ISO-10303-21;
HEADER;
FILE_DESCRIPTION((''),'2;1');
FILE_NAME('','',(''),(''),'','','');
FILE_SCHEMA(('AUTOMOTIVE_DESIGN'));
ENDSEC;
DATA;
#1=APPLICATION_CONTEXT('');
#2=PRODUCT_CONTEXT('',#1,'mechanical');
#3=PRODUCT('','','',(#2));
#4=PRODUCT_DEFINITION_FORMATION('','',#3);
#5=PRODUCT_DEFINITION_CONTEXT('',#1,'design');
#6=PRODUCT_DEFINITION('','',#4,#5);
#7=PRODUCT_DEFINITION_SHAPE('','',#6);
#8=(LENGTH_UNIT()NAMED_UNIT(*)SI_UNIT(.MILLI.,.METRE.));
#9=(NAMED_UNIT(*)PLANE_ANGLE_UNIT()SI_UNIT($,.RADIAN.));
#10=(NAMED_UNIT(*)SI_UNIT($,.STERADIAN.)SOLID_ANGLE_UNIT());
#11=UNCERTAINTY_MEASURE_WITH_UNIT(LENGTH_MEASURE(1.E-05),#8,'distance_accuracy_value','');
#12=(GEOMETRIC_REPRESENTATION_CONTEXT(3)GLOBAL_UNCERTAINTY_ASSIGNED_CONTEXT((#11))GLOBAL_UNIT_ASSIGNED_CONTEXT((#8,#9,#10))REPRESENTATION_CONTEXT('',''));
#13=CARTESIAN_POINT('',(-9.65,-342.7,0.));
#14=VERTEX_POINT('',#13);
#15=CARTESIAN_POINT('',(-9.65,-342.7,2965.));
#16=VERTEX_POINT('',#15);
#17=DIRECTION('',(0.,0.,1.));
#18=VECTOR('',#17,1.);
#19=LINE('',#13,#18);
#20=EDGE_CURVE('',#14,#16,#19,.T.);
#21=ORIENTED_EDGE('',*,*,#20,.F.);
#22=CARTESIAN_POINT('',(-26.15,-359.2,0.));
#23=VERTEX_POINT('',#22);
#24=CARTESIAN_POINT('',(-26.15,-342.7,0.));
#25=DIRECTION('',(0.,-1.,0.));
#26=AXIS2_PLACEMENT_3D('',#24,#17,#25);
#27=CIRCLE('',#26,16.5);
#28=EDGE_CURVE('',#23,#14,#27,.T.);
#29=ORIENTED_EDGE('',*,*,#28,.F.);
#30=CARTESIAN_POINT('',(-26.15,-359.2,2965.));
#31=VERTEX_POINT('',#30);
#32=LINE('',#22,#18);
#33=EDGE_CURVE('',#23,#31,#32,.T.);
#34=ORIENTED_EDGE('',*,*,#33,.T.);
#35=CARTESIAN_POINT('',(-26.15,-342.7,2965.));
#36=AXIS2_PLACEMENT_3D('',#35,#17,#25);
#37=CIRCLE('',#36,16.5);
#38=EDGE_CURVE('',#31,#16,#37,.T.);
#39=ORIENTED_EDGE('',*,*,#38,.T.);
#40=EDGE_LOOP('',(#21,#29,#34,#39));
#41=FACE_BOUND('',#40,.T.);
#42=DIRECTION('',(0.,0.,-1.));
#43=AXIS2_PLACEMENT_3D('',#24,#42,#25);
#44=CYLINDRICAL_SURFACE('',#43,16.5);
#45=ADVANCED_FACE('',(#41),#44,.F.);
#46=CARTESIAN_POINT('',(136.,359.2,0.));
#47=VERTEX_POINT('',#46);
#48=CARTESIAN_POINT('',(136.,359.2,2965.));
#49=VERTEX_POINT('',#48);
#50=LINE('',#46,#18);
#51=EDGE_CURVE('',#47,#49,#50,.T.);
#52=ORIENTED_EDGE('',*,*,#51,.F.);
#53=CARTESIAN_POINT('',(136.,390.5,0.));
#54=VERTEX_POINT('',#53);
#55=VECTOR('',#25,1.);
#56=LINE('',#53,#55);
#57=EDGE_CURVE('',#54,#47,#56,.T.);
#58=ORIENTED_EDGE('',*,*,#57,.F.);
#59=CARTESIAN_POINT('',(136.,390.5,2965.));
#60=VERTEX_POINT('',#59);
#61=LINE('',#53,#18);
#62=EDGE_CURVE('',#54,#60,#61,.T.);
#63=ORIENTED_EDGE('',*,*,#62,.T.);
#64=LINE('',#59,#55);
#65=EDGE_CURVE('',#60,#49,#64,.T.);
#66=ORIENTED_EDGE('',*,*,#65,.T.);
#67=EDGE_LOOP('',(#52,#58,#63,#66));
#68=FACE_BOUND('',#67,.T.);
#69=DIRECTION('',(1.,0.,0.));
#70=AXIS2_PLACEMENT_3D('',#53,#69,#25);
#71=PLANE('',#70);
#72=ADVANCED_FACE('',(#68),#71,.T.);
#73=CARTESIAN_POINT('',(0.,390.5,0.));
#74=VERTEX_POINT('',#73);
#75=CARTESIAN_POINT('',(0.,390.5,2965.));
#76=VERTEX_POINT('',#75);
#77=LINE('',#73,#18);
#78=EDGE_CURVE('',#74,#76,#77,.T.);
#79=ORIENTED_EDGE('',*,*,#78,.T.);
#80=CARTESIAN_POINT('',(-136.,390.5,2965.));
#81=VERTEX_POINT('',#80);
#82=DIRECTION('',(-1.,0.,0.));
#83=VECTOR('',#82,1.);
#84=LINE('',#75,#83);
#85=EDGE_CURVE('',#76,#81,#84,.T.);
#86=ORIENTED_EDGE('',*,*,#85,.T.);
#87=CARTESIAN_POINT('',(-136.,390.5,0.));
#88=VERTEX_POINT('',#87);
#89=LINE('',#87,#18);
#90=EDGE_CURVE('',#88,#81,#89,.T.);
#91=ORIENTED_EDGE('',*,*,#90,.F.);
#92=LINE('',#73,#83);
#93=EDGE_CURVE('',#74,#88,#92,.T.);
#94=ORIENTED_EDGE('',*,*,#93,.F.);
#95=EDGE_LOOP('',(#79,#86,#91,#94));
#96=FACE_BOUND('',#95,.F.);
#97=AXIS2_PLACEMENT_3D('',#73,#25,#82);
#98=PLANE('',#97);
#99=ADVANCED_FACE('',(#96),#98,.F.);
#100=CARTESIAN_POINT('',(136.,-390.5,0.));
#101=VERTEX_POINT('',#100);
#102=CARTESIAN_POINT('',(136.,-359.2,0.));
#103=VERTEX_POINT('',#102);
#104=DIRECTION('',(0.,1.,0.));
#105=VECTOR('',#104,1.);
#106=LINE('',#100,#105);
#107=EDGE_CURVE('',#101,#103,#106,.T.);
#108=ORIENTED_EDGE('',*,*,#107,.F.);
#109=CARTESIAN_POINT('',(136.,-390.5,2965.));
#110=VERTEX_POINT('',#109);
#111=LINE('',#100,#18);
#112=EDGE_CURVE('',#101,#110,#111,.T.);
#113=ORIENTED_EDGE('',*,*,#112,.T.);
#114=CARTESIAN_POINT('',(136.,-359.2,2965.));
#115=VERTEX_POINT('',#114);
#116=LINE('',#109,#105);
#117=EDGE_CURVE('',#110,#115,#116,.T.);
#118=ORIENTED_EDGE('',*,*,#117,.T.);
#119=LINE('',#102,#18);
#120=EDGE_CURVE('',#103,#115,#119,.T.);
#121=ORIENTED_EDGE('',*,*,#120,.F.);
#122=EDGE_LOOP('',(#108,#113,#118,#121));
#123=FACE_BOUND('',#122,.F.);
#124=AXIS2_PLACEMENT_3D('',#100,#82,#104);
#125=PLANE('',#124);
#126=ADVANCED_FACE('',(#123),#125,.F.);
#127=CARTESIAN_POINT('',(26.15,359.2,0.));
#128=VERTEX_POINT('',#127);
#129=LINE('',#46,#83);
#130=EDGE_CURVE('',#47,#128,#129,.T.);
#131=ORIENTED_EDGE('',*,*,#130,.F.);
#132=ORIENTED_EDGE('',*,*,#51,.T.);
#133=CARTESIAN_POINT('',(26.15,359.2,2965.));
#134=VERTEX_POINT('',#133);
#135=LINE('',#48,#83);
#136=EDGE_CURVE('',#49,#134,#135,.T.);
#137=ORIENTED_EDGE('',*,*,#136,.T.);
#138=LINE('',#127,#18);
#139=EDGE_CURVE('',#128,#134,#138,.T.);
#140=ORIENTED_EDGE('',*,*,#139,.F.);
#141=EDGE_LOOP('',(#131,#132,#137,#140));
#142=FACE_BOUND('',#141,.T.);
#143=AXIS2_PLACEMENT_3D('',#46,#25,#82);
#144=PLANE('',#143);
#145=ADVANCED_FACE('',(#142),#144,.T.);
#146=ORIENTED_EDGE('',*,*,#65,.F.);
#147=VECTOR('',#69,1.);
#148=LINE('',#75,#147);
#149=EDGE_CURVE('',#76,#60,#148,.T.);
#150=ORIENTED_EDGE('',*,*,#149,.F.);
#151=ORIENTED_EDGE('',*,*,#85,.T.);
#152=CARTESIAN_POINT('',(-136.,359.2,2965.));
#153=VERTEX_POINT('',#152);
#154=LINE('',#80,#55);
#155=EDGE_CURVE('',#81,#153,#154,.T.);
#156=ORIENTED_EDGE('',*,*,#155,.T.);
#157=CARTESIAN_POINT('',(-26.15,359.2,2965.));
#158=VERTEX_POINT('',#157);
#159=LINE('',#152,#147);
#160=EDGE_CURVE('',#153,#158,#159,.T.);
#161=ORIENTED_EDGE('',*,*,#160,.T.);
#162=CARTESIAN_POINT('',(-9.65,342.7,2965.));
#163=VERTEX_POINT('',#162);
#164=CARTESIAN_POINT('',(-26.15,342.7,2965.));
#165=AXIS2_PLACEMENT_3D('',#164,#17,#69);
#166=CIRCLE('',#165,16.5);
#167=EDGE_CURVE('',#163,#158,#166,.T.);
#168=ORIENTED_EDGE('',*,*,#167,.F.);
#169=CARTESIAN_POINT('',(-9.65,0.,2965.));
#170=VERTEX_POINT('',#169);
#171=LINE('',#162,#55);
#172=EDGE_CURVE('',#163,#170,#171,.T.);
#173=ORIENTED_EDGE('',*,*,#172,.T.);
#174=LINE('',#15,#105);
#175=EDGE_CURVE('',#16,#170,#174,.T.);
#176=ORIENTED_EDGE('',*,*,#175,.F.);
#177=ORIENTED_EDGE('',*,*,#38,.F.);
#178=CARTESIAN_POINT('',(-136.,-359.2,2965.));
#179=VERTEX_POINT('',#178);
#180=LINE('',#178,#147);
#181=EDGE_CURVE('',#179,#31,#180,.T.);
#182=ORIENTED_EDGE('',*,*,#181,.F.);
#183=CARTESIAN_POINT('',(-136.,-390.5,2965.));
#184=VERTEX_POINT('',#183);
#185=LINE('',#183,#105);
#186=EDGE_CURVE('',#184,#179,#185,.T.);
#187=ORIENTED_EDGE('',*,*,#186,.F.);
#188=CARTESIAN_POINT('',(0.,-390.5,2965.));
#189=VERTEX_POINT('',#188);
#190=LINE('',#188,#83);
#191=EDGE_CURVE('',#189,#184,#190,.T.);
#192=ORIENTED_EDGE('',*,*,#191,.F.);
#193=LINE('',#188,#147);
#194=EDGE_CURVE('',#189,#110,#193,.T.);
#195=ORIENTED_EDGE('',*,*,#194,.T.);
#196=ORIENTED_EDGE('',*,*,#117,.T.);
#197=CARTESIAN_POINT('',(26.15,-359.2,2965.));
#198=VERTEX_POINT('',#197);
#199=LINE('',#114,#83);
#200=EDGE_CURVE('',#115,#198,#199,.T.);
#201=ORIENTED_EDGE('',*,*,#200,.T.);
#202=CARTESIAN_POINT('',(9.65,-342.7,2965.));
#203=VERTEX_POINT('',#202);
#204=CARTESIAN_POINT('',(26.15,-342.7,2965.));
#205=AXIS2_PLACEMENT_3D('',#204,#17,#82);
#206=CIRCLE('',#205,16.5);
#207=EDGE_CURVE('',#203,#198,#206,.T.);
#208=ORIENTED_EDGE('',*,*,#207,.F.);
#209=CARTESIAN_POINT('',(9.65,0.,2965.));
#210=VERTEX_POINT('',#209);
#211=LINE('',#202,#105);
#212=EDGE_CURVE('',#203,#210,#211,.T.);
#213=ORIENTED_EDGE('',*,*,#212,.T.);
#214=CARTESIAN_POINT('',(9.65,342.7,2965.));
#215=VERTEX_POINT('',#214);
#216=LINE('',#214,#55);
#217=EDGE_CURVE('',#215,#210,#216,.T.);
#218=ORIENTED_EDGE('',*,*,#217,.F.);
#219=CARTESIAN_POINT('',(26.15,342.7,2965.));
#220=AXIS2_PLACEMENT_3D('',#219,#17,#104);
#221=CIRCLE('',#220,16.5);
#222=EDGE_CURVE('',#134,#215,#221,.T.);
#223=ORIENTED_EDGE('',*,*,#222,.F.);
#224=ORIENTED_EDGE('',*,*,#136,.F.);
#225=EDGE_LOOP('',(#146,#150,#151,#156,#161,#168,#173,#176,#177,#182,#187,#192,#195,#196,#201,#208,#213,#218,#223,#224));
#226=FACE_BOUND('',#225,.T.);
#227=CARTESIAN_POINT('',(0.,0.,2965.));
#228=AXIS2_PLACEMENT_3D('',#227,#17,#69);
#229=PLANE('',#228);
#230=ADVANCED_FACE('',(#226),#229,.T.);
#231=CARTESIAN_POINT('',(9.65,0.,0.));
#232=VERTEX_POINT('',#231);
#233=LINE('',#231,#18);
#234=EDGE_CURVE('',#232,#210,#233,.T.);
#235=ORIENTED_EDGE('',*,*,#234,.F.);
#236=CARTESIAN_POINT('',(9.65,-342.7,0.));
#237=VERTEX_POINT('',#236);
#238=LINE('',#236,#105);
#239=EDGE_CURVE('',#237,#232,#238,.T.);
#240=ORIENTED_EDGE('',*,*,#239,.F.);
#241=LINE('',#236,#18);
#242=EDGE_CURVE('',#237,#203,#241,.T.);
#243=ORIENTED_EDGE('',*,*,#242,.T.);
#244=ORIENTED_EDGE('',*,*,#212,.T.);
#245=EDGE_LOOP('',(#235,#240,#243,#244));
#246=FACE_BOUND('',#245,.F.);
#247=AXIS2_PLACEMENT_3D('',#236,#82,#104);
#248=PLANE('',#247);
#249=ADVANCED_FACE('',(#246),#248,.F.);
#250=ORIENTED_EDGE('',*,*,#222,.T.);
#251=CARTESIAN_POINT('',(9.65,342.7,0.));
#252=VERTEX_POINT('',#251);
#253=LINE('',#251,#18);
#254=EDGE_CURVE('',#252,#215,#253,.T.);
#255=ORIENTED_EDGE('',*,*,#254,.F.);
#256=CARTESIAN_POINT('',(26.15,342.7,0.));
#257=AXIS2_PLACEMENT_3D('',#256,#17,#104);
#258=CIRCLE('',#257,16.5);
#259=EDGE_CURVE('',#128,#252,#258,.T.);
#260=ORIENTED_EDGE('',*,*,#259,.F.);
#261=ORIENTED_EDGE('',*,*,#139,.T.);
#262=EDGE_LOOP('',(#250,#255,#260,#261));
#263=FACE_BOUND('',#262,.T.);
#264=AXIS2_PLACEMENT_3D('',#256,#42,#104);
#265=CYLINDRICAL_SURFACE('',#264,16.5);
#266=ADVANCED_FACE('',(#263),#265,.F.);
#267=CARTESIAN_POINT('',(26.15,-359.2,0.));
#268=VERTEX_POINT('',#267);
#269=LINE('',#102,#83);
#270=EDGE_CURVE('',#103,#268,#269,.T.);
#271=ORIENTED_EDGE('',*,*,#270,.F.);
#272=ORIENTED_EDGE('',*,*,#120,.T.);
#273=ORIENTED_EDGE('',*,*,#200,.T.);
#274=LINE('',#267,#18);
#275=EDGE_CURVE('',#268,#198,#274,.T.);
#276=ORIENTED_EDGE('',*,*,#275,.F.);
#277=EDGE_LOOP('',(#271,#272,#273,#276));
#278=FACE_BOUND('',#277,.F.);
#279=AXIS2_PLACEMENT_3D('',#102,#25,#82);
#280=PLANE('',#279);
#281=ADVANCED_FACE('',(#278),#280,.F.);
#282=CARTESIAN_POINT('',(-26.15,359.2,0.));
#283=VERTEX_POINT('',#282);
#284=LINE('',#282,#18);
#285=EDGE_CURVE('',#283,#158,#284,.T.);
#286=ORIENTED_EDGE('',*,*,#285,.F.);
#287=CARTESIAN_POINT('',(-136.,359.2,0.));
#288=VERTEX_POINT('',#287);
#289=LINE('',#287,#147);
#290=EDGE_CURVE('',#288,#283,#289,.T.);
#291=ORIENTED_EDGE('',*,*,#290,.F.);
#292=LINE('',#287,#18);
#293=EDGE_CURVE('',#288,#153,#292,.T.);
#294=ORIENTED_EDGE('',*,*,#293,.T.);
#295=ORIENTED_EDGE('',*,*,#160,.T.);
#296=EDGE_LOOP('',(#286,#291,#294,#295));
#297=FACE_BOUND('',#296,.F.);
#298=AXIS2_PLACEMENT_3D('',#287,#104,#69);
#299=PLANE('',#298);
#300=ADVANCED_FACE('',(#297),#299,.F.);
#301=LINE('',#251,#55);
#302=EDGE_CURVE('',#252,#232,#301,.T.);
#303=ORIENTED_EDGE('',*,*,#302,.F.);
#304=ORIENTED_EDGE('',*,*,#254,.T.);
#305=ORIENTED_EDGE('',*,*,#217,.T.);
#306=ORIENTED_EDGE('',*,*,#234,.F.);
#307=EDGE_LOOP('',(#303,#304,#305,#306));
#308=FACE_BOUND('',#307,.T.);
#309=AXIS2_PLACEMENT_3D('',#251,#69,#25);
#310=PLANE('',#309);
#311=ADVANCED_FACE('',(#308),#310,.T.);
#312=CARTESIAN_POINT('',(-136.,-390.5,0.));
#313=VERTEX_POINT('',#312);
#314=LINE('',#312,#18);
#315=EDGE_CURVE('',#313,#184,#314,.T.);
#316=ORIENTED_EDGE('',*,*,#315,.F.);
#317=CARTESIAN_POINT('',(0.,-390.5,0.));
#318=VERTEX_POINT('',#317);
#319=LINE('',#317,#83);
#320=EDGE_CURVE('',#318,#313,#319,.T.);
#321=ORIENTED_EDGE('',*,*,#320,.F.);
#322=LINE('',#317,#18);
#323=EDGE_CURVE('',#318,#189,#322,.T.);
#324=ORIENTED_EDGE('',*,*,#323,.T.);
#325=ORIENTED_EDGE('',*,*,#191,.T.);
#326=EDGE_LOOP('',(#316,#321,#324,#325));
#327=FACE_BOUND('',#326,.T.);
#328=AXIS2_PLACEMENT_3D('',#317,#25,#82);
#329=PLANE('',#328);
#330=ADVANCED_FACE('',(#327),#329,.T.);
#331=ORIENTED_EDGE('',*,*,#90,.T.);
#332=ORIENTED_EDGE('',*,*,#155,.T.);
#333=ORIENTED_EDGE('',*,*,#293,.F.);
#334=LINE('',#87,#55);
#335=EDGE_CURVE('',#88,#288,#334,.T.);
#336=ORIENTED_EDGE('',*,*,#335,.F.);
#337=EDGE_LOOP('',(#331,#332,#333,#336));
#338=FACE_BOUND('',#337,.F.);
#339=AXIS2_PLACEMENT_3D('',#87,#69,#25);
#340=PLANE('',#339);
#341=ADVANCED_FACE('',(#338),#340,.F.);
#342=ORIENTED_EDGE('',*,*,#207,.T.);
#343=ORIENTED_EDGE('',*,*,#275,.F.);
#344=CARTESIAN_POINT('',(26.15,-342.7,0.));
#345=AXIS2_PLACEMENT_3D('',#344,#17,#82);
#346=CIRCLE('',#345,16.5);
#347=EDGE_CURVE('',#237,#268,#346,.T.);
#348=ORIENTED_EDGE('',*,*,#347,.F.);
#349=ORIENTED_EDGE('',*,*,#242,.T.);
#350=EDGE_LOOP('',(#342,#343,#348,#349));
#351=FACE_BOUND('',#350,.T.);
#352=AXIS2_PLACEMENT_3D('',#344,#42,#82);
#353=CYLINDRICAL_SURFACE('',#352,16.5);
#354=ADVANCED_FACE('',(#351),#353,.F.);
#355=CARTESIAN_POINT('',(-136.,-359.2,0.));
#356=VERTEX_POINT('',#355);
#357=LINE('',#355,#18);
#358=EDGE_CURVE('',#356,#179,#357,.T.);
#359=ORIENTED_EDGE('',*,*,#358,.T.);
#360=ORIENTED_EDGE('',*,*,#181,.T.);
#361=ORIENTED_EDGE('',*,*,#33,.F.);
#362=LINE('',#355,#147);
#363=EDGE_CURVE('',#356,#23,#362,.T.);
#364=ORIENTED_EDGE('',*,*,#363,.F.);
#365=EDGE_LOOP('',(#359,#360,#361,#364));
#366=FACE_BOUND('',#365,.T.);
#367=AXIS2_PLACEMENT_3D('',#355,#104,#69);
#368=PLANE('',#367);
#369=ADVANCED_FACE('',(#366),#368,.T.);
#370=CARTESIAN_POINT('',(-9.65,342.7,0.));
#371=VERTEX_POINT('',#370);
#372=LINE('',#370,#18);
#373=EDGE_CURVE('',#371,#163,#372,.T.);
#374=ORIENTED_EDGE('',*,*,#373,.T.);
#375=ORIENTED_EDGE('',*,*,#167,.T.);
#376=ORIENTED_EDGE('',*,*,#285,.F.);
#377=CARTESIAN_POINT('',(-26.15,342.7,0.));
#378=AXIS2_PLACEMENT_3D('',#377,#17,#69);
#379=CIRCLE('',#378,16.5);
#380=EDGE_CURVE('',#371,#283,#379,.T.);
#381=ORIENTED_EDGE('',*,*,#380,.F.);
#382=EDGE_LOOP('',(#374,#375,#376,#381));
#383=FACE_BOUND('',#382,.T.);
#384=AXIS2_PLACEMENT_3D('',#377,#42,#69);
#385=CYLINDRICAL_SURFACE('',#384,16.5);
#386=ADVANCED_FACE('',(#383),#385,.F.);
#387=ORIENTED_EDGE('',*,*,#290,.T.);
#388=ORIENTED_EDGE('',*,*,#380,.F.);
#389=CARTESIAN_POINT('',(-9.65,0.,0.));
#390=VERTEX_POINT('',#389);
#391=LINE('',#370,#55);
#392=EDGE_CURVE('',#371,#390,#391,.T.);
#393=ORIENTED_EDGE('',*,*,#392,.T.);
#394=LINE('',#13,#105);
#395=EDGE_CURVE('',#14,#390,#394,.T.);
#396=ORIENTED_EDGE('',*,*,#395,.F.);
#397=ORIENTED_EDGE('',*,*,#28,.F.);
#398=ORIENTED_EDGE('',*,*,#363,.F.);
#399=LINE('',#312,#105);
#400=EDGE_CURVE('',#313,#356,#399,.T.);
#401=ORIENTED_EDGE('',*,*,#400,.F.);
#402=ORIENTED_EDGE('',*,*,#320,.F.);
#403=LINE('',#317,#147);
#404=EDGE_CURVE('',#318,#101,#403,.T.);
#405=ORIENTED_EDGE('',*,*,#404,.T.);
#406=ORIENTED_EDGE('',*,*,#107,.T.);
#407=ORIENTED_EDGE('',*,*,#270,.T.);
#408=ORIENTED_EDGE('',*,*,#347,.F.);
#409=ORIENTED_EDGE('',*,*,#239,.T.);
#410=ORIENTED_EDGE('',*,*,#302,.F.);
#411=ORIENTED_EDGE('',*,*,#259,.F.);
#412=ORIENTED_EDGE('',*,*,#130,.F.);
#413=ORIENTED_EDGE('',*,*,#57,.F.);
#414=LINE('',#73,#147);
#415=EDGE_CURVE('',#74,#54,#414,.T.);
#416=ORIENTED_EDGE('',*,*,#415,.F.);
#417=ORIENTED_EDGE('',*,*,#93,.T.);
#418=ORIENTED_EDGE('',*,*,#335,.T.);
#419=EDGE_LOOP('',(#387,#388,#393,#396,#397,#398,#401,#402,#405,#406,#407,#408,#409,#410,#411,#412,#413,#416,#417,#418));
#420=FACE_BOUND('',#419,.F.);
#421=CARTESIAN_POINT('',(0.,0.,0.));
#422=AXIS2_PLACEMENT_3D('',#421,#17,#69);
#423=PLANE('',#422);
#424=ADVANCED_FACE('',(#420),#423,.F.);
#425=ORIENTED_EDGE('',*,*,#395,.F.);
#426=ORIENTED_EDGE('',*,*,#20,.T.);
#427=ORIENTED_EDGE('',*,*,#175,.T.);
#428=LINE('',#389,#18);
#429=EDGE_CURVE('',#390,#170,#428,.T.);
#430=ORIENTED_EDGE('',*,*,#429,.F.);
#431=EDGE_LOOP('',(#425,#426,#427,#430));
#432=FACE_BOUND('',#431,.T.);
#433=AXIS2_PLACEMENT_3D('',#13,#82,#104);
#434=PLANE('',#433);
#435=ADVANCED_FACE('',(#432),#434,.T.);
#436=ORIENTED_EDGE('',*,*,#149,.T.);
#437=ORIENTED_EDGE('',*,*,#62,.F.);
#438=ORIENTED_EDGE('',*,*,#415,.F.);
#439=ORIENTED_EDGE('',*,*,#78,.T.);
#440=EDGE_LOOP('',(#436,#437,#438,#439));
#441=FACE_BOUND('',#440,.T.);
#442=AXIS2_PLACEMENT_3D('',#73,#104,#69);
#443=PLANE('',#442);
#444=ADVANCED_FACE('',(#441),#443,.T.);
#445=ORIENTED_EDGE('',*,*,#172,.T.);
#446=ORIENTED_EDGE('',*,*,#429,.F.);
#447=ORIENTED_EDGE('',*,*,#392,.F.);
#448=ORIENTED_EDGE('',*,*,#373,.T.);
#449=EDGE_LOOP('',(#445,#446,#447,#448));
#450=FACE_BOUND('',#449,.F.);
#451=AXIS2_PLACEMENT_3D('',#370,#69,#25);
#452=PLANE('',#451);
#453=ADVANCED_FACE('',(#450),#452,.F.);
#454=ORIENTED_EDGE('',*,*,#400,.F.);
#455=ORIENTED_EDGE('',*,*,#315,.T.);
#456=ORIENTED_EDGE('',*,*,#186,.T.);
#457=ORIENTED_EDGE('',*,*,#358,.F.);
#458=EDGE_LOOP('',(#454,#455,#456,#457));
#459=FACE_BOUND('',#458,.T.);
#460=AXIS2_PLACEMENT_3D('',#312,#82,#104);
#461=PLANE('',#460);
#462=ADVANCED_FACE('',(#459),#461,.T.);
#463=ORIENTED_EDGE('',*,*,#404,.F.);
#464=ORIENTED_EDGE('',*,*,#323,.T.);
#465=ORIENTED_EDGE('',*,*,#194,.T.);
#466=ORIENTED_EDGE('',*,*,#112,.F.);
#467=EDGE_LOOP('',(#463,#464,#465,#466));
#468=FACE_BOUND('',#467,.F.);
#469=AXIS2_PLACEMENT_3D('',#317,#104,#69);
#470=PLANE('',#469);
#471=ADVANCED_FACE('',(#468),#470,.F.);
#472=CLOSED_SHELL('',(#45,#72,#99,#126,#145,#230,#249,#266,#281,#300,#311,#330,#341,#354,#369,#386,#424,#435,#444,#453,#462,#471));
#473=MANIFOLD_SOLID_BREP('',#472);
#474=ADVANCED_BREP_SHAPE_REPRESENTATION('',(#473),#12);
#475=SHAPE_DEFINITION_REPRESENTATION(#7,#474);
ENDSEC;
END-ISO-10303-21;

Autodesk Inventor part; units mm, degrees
ref_plane "YZ Plane" through (0, 0, 0) normal (1, 0, 0) x (0, 1, 0)
ref_plane "Start plane" through (0, 0, 0) normal (0, 0, 1) x (1, 0, 0)
ref_plane "End plane" through (0, 0, 2965) normal (0, 0, 1) x (1, 0, 0)
sketch "Sketch" plane through (0, 0, 0) normal (0, 0, 1) x (1, 0, 0)
  line L0 (-136, -390.5) -> (-136, -359.2)
  line L1 (-136, -359.2) -> (-26.15, -359.2)
  line L2 (-9.65, -342.7) -> (-9.65, 0)
  line L3 (-9.65, 0) -> (0, 0) construction
  line L4 (0, 0) -> (0, -390.5) construction
  line L5 (0, -390.5) -> (-136, -390.5)
  line L6 (-60, 0) -> (80, 0) construction
  line L7 (0, -60) -> (0, 80) construction
  line L8 (136, -390.5) -> (136, -359.2)
  line L9 (136, -359.2) -> (26.15, -359.2)
  line L10 (9.65, -342.7) -> (9.65, 0)
  line L11 (9.65, 0) -> (0, 0) construction
  line L12 (0, -390.5) -> (136, -390.5)
  line L13 (-136, 390.5) -> (-136, 359.2)
  line L14 (-136, 359.2) -> (-26.15, 359.2)
  line L15 (-9.65, 342.7) -> (-9.65, 0)
  line L16 (0, 390.5) -> (-136, 390.5)
  line L17 (136, 390.5) -> (136, 359.2)
  line L18 (136, 359.2) -> (26.15, 359.2)
  line L19 (0, 390.5) -> (136, 390.5)
  line L20 (9.65, 342.7) -> (9.65, 0)
  arc A0 (-9.65, 342.7) -> (-26.15, 359.2) centre (-26.15, 342.7) ccw
  arc A1 (26.15, 359.2) -> (9.65, 342.7) centre (26.15, 342.7) ccw
  arc A2 (9.65, -342.7) -> (26.15, -359.2) centre (26.15, -342.7) ccw
  arc A3 (-26.15, -359.2) -> (-9.65, -342.7) centre (-26.15, -342.7) ccw
  line L21 (0, 108) -> (0, -88) construction
  line L22 (-88, 0) -> (108, 0) construction
  point P0 (-9.65, -359.2)
  point P1 (9.65, -359.2)
  point P2 (-9.65, 359.2)
  point P3 (9.65, 359.2)
  dimension "d1" = 390.5
  dimension "d2" = 31.3
  dimension "d3" = 136
  dimension "d4" = 9.65
  dimension "d10" = 16.5
extrude "Body" add sketch "Sketch" along normal up to surface (2965 mm away) from surface at 0
sketch "Sketch4" plane through (0, 0, 0) normal (0, 0, 1) x (1, 0, 0)
  line L0 (0, 0) -> (10, 0)
ref_plane "Work Plane3" through (0, 0, 0) normal (0, -1, 0) x (1, 0, 0)
sketch "Sketch5" plane through (0, 0, 0) normal (0, -1, 0) x (1, 0, 0)
  line L0 (-2, 0) -> (12, 0) projected
  line L1 (-2, 2965) -> (12, 2965) projected
  dimension "d14" = 2965
equation "\"d1\" = 0.5 * G_H"
equation "\"d2\" = G_T1"
equation "\"d3\" = 0.5 * G_W"
equation "\"d4\" = 0.5 * G_T"
equation "\"d10\" = G_IR"
equation "\"d5\" = G_L"
equation "\"G_W\" = 272"
equation "\"G_H\" = 781"
equation "\"G_T\" = 19.3"
equation "\"G_T1\" = 31.3"
equation "\"G_IR\" = 16.5"
equation "\"G_L\" = d14"
equation "\"G_OFFSET_START\" = 0"
equation "\"G_OFFSET_END\" = 0"
equation "\"d12\" = G_OFFSET_END + B_L"
equation "\"B_L\" = 2965"
properties part number "AS 3679-1990 - 760 UB - 244 - 2965" material "Steel, Mild"
